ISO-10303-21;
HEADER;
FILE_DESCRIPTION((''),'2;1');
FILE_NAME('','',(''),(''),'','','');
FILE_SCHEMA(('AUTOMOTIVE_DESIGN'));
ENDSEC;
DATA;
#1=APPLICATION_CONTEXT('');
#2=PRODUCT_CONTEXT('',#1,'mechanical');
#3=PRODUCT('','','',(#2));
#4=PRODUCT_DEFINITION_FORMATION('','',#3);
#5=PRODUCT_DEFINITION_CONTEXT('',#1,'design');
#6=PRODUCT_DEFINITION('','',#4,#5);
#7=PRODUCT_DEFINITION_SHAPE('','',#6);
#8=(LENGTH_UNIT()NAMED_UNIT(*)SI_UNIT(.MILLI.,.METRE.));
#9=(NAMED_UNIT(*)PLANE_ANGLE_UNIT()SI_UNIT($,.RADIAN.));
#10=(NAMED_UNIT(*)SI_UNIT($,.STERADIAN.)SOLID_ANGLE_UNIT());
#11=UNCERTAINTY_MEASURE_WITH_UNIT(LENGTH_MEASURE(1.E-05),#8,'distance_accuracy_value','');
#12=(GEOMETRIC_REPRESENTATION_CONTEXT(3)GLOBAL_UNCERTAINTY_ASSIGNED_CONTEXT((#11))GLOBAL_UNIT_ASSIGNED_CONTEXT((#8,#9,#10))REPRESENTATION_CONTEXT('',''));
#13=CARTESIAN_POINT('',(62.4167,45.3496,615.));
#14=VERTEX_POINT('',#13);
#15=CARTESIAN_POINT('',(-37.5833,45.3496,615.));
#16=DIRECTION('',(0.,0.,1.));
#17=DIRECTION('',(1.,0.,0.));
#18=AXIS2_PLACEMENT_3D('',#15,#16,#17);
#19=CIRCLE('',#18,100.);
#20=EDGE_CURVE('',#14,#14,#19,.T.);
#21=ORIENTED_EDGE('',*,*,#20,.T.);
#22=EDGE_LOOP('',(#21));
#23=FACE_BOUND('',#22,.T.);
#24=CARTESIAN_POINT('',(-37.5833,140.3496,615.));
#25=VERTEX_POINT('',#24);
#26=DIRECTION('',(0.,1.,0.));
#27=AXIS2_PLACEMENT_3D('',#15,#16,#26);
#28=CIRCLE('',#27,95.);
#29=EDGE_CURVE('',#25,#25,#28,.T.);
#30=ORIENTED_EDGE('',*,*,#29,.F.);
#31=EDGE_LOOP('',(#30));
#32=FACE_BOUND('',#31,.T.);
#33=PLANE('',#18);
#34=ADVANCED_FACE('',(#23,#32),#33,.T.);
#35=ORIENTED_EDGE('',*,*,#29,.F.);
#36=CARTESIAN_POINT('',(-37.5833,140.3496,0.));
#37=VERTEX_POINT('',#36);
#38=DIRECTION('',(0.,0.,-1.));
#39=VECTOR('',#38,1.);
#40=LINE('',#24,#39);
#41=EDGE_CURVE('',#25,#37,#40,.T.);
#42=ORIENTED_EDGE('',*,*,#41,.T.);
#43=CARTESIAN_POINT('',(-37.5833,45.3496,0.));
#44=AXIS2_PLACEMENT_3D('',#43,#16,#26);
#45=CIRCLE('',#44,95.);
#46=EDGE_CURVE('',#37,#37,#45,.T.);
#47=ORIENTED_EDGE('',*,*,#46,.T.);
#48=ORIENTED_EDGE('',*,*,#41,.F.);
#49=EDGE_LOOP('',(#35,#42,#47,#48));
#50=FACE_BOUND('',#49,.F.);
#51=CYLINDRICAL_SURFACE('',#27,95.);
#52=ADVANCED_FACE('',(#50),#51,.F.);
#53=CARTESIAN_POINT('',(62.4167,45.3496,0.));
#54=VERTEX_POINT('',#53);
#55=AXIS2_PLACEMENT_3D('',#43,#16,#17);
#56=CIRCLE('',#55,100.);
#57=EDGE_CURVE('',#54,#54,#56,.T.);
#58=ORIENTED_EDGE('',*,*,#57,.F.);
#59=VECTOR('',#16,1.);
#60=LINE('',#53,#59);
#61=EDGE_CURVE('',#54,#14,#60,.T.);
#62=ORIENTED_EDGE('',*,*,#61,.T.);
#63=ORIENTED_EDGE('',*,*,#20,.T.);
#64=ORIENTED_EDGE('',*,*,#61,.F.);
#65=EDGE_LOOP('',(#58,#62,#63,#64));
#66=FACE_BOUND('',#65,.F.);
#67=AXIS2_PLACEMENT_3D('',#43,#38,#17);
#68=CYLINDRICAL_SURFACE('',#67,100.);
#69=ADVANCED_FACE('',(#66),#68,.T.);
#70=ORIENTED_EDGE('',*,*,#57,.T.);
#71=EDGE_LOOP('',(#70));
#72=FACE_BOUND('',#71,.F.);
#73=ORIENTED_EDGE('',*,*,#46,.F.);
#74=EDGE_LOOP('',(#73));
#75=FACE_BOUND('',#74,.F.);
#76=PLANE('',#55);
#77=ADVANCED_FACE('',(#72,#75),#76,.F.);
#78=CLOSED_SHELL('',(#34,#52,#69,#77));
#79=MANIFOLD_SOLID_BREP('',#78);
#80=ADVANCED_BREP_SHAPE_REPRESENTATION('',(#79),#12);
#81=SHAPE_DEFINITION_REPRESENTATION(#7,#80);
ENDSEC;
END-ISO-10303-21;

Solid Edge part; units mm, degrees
sketch "Sketch1" plane through (0, 0, 0) normal (0, 0, 1) x (1, 0, 0)
  circle A0 centre (-37.5833, 45.3496) radius 100
extrude "Protrusion1" add sketch "Sketch1" along normal blind 615
sketch "Sketch2" plane through (-37.5833, 45.3496, 615) normal (0, 0, 1) x (0, 1, 0)
  circle A0 centre (0, 0) radius 95
  dimension "D1" = 190
extrude "Cutout1" cut sketch "Sketch2" against normal through all
extrude "ExtrudedCutout_4" [suppressed]
pattern "Pattern1" [suppressed]
mirror "Mirror1" [suppressed]
properties material "Aluminum, 6061-T6"
